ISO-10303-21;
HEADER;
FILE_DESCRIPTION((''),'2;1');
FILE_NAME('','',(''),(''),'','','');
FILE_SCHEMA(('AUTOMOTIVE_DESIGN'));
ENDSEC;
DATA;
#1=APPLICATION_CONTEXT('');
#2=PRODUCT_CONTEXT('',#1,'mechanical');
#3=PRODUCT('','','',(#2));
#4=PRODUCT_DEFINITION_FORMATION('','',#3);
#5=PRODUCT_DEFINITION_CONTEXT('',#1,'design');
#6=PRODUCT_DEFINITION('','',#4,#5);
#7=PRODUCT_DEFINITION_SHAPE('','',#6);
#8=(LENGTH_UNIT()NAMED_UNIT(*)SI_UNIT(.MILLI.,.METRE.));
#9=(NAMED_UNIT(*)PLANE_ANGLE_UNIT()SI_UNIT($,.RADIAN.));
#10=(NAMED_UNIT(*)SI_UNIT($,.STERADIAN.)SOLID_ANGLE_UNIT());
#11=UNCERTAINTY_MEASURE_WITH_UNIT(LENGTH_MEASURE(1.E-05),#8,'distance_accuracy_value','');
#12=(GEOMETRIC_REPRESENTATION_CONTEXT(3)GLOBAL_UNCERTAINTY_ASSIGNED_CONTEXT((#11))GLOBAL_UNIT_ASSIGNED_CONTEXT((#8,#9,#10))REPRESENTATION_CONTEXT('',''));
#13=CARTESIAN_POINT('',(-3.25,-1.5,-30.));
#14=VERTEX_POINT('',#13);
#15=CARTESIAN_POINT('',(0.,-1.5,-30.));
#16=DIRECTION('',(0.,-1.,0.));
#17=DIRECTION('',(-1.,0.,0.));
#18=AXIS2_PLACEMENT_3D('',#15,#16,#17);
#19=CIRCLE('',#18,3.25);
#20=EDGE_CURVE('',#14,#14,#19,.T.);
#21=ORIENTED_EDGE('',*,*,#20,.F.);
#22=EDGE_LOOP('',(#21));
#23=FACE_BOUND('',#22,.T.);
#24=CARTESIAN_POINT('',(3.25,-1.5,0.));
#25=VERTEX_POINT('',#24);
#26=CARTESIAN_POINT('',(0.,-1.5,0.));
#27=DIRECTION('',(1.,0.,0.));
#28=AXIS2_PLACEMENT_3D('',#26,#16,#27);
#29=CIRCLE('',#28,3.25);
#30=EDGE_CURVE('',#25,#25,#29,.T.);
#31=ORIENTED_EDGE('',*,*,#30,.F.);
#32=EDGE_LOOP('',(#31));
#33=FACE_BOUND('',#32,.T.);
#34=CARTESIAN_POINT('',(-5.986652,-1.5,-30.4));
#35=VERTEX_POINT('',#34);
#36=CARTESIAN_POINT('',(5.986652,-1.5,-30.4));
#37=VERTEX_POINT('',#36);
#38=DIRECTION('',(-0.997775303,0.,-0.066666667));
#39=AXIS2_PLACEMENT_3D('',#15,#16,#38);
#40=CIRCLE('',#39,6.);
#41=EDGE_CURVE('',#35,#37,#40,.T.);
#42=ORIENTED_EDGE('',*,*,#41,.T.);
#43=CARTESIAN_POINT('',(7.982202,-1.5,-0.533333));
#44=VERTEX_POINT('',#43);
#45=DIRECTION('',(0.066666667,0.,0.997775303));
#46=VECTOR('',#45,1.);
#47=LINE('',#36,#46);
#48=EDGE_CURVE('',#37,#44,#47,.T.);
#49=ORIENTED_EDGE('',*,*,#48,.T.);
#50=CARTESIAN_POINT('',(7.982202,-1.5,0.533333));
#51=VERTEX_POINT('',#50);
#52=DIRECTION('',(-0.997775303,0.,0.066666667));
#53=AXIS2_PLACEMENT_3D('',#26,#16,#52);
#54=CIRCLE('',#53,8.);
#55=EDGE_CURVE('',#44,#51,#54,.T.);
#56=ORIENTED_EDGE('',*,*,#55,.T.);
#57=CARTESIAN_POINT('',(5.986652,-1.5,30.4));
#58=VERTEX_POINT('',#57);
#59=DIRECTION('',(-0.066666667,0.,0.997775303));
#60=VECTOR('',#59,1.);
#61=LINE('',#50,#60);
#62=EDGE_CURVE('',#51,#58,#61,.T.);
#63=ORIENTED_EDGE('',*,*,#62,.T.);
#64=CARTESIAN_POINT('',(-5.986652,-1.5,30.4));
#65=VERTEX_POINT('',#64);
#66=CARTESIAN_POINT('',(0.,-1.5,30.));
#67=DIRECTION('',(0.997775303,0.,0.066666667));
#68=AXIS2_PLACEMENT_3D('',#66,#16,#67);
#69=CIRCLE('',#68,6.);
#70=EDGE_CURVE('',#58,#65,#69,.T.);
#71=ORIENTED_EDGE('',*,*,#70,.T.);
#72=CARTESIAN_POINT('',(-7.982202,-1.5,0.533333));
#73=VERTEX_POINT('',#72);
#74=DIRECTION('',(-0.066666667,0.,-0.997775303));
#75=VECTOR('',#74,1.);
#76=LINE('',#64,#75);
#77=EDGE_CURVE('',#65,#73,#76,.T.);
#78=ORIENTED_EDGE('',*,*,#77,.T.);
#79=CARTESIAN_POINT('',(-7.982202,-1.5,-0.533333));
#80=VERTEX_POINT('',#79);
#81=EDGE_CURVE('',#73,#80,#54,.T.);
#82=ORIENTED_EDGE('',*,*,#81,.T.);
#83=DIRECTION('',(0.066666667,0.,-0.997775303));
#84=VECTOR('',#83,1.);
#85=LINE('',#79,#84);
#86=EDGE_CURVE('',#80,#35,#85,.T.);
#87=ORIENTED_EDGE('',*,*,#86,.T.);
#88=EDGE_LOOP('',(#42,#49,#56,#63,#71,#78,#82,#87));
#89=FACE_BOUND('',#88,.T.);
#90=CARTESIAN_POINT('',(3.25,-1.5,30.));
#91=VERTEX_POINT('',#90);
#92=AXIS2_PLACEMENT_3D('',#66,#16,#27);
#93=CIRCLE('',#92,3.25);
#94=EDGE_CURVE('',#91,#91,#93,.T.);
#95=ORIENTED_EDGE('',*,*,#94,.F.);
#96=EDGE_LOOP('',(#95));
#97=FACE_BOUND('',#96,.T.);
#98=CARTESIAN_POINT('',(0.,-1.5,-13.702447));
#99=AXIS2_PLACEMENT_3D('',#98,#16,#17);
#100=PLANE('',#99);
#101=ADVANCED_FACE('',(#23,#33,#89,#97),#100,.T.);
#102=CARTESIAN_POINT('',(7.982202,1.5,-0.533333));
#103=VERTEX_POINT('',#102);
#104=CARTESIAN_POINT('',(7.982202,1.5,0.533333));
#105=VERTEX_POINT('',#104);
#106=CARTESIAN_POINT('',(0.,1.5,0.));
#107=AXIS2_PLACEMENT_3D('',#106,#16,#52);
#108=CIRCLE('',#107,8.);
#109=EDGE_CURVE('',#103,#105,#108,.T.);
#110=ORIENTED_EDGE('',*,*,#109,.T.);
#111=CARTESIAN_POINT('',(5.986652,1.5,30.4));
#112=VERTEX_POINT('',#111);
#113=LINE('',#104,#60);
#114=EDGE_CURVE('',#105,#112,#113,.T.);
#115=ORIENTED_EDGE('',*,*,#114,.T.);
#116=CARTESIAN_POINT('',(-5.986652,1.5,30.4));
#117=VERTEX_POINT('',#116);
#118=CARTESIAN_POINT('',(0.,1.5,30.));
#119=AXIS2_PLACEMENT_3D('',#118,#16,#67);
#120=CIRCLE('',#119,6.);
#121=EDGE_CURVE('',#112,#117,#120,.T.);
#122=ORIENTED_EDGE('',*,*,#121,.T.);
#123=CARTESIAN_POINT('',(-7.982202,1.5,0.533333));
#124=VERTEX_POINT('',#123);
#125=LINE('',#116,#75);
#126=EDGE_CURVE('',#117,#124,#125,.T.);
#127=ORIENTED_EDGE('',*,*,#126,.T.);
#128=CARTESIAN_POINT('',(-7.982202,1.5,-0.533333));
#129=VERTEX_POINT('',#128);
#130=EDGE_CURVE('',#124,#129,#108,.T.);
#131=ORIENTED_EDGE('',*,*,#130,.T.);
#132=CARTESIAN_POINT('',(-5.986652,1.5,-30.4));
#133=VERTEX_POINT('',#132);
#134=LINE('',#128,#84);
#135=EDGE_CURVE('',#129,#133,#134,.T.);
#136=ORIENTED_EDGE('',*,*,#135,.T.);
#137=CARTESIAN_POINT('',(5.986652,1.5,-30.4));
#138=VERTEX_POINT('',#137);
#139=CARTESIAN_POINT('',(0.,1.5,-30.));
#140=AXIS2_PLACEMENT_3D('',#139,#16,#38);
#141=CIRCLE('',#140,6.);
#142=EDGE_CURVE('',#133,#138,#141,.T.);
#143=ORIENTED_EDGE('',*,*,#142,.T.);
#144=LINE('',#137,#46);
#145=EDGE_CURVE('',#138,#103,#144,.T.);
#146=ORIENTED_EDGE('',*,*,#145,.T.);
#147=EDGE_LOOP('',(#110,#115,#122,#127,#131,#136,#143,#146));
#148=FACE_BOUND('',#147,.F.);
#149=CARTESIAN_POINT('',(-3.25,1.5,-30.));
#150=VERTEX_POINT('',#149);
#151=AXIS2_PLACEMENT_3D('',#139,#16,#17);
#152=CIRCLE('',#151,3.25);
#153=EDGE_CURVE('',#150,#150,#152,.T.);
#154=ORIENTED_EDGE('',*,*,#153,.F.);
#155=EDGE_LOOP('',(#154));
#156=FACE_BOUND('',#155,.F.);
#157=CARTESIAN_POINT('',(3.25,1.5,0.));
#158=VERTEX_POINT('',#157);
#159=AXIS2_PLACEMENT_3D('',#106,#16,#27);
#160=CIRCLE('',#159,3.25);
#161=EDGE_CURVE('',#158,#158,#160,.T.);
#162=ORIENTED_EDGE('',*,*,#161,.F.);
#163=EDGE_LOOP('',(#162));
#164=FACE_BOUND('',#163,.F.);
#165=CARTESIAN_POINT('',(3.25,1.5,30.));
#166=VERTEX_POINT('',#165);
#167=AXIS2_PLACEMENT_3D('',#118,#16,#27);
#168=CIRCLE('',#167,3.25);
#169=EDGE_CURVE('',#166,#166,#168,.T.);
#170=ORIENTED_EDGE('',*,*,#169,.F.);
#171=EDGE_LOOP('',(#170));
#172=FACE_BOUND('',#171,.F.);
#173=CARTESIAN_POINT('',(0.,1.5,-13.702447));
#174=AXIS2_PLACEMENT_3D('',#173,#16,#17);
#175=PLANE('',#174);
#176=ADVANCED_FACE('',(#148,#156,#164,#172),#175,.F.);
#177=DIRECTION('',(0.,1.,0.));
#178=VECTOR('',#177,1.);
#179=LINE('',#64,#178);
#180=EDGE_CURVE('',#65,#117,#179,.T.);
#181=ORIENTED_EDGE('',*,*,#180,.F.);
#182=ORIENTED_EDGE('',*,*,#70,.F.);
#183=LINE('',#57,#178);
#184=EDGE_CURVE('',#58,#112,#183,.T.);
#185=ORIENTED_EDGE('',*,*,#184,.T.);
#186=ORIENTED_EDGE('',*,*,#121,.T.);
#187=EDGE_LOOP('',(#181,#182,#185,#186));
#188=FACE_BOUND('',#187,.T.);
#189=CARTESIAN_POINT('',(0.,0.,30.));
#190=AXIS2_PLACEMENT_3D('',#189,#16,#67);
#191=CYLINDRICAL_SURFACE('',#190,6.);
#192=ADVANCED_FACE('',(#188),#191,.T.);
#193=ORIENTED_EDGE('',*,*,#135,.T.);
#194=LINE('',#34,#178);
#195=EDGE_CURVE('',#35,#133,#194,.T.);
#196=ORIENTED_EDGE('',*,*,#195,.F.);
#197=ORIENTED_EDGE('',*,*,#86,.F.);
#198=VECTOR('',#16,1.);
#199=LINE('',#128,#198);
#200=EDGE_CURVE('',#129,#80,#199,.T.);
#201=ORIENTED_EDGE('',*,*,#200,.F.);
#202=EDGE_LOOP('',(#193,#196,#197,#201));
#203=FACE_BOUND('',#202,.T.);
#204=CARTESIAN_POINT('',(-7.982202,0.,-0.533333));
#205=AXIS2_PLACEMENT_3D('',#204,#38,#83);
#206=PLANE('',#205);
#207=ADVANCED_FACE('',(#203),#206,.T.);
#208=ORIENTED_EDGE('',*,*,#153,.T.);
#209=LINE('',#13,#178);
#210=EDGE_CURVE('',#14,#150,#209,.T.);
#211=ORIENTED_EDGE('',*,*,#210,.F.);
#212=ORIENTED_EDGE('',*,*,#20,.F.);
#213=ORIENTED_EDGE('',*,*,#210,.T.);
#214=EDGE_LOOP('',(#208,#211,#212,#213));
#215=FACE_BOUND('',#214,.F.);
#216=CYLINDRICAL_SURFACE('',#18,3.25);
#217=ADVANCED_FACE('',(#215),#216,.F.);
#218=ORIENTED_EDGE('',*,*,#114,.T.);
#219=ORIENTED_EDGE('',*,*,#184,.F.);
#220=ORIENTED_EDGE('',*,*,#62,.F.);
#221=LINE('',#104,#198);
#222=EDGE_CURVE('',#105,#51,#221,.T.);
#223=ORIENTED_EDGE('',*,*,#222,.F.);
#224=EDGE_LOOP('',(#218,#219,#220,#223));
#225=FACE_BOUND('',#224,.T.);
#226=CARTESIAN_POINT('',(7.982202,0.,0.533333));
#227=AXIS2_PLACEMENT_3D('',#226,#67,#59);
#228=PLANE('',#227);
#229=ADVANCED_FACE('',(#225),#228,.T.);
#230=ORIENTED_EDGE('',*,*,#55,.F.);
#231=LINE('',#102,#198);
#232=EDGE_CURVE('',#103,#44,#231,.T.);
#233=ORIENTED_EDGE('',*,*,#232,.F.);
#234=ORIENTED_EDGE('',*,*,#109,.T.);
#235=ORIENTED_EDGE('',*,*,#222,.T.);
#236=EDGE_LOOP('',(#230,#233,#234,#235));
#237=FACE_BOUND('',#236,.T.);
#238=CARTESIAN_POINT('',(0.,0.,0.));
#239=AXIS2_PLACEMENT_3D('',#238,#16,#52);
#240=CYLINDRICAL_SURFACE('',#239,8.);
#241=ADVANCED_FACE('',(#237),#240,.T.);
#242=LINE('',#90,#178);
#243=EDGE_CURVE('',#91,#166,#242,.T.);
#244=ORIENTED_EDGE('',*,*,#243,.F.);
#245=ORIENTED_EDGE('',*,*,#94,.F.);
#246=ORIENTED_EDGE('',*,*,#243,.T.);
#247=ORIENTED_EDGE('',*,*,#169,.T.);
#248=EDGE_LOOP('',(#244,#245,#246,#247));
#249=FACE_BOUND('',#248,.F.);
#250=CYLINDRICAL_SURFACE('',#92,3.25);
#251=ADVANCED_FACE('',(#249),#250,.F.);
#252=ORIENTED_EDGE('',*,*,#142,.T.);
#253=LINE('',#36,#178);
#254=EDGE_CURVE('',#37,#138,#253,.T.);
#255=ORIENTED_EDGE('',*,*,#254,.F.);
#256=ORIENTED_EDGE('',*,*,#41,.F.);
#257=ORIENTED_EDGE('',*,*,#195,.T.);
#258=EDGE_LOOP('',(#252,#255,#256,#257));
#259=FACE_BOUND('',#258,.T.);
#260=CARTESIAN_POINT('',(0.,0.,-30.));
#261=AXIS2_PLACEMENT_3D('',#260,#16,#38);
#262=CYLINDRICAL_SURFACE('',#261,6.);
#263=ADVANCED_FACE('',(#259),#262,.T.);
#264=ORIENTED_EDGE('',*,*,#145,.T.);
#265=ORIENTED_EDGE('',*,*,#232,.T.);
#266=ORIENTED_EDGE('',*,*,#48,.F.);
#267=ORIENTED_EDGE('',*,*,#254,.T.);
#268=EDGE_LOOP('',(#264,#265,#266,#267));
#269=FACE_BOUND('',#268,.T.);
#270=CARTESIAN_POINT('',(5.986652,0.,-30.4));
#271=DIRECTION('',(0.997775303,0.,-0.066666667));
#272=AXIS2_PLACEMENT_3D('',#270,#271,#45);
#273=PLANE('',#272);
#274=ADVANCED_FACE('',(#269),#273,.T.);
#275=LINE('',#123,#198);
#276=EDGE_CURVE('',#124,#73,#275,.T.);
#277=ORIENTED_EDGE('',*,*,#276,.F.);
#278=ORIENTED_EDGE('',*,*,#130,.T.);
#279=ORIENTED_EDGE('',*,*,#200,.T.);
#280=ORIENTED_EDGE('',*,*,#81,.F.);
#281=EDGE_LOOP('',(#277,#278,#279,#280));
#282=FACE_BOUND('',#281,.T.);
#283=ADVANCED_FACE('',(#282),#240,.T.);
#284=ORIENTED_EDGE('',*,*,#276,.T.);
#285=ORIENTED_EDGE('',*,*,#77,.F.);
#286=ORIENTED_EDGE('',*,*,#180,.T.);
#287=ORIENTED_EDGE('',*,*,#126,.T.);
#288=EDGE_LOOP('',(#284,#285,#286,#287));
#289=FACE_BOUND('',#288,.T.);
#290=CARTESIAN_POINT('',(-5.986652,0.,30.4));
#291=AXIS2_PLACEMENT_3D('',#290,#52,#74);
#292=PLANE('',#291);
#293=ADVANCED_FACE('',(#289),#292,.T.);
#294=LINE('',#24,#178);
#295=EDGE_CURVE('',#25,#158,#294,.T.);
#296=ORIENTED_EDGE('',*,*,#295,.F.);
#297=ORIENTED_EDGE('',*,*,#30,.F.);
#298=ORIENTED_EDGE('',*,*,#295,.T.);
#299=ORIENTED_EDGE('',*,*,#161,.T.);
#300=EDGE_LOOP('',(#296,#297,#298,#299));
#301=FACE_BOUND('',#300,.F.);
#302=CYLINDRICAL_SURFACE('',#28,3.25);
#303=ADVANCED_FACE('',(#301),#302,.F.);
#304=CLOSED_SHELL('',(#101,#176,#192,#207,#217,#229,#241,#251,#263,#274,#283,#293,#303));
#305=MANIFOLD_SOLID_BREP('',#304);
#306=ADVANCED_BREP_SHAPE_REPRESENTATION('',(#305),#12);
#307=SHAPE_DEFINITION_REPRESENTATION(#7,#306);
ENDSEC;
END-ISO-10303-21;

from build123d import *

# Parameters (mm, degrees)
F3_DEPTH = 1.5
F4_R     = 3.25
F5_DEPTH = 3
F6_COUNT = 2
F7_R     = 3.25
F8_DEPTH = 25


with BuildPart() as f3:
    # F2 (on Front) → F3 (new body, symmetric)
    with BuildSketch(Plane.XZ):
        with BuildLine():
            Line((-5.9866518188, 30.4), (-7.9822024251, 0.5333333333))
            ThreePointArc((-7.9822024251, 0.5333333333), (0, -8), (7.9822024251, 0.5333333333))
            Line((7.9822024251, 0.5333333333), (5.9866518188, 30.4))
            ThreePointArc((5.9866518188, 30.4), (0, 36), (-5.9866518188, 30.4))
        make_face()
    extrude(amount=F3_DEPTH, both=True)

    # F4 (on face) → F5 (cut, through all)
    with BuildSketch(Plane.XZ.offset(1.5)):
        with Locations((0, 30)):
            Circle(F4_R)
    extrude(amount=-F5_DEPTH, mode=Mode.SUBTRACT)

    # F6: F3 ×2 about axis
    f6_axis = Axis((0, 0, 0), (0, -1, 0))


with BuildPart() as f3_1:
    add(f3.part)
    for i in range(1, F6_COUNT):
        add(f3.part.rotate(f6_axis, i * 360 / F6_COUNT))

    # F7 (on face) → F8 (cut)
    with BuildSketch(Plane.XZ.offset(1.5)):
        Circle(F7_R)
    extrude(amount=-F8_DEPTH, mode=Mode.SUBTRACT)


solid = f3_1.part
